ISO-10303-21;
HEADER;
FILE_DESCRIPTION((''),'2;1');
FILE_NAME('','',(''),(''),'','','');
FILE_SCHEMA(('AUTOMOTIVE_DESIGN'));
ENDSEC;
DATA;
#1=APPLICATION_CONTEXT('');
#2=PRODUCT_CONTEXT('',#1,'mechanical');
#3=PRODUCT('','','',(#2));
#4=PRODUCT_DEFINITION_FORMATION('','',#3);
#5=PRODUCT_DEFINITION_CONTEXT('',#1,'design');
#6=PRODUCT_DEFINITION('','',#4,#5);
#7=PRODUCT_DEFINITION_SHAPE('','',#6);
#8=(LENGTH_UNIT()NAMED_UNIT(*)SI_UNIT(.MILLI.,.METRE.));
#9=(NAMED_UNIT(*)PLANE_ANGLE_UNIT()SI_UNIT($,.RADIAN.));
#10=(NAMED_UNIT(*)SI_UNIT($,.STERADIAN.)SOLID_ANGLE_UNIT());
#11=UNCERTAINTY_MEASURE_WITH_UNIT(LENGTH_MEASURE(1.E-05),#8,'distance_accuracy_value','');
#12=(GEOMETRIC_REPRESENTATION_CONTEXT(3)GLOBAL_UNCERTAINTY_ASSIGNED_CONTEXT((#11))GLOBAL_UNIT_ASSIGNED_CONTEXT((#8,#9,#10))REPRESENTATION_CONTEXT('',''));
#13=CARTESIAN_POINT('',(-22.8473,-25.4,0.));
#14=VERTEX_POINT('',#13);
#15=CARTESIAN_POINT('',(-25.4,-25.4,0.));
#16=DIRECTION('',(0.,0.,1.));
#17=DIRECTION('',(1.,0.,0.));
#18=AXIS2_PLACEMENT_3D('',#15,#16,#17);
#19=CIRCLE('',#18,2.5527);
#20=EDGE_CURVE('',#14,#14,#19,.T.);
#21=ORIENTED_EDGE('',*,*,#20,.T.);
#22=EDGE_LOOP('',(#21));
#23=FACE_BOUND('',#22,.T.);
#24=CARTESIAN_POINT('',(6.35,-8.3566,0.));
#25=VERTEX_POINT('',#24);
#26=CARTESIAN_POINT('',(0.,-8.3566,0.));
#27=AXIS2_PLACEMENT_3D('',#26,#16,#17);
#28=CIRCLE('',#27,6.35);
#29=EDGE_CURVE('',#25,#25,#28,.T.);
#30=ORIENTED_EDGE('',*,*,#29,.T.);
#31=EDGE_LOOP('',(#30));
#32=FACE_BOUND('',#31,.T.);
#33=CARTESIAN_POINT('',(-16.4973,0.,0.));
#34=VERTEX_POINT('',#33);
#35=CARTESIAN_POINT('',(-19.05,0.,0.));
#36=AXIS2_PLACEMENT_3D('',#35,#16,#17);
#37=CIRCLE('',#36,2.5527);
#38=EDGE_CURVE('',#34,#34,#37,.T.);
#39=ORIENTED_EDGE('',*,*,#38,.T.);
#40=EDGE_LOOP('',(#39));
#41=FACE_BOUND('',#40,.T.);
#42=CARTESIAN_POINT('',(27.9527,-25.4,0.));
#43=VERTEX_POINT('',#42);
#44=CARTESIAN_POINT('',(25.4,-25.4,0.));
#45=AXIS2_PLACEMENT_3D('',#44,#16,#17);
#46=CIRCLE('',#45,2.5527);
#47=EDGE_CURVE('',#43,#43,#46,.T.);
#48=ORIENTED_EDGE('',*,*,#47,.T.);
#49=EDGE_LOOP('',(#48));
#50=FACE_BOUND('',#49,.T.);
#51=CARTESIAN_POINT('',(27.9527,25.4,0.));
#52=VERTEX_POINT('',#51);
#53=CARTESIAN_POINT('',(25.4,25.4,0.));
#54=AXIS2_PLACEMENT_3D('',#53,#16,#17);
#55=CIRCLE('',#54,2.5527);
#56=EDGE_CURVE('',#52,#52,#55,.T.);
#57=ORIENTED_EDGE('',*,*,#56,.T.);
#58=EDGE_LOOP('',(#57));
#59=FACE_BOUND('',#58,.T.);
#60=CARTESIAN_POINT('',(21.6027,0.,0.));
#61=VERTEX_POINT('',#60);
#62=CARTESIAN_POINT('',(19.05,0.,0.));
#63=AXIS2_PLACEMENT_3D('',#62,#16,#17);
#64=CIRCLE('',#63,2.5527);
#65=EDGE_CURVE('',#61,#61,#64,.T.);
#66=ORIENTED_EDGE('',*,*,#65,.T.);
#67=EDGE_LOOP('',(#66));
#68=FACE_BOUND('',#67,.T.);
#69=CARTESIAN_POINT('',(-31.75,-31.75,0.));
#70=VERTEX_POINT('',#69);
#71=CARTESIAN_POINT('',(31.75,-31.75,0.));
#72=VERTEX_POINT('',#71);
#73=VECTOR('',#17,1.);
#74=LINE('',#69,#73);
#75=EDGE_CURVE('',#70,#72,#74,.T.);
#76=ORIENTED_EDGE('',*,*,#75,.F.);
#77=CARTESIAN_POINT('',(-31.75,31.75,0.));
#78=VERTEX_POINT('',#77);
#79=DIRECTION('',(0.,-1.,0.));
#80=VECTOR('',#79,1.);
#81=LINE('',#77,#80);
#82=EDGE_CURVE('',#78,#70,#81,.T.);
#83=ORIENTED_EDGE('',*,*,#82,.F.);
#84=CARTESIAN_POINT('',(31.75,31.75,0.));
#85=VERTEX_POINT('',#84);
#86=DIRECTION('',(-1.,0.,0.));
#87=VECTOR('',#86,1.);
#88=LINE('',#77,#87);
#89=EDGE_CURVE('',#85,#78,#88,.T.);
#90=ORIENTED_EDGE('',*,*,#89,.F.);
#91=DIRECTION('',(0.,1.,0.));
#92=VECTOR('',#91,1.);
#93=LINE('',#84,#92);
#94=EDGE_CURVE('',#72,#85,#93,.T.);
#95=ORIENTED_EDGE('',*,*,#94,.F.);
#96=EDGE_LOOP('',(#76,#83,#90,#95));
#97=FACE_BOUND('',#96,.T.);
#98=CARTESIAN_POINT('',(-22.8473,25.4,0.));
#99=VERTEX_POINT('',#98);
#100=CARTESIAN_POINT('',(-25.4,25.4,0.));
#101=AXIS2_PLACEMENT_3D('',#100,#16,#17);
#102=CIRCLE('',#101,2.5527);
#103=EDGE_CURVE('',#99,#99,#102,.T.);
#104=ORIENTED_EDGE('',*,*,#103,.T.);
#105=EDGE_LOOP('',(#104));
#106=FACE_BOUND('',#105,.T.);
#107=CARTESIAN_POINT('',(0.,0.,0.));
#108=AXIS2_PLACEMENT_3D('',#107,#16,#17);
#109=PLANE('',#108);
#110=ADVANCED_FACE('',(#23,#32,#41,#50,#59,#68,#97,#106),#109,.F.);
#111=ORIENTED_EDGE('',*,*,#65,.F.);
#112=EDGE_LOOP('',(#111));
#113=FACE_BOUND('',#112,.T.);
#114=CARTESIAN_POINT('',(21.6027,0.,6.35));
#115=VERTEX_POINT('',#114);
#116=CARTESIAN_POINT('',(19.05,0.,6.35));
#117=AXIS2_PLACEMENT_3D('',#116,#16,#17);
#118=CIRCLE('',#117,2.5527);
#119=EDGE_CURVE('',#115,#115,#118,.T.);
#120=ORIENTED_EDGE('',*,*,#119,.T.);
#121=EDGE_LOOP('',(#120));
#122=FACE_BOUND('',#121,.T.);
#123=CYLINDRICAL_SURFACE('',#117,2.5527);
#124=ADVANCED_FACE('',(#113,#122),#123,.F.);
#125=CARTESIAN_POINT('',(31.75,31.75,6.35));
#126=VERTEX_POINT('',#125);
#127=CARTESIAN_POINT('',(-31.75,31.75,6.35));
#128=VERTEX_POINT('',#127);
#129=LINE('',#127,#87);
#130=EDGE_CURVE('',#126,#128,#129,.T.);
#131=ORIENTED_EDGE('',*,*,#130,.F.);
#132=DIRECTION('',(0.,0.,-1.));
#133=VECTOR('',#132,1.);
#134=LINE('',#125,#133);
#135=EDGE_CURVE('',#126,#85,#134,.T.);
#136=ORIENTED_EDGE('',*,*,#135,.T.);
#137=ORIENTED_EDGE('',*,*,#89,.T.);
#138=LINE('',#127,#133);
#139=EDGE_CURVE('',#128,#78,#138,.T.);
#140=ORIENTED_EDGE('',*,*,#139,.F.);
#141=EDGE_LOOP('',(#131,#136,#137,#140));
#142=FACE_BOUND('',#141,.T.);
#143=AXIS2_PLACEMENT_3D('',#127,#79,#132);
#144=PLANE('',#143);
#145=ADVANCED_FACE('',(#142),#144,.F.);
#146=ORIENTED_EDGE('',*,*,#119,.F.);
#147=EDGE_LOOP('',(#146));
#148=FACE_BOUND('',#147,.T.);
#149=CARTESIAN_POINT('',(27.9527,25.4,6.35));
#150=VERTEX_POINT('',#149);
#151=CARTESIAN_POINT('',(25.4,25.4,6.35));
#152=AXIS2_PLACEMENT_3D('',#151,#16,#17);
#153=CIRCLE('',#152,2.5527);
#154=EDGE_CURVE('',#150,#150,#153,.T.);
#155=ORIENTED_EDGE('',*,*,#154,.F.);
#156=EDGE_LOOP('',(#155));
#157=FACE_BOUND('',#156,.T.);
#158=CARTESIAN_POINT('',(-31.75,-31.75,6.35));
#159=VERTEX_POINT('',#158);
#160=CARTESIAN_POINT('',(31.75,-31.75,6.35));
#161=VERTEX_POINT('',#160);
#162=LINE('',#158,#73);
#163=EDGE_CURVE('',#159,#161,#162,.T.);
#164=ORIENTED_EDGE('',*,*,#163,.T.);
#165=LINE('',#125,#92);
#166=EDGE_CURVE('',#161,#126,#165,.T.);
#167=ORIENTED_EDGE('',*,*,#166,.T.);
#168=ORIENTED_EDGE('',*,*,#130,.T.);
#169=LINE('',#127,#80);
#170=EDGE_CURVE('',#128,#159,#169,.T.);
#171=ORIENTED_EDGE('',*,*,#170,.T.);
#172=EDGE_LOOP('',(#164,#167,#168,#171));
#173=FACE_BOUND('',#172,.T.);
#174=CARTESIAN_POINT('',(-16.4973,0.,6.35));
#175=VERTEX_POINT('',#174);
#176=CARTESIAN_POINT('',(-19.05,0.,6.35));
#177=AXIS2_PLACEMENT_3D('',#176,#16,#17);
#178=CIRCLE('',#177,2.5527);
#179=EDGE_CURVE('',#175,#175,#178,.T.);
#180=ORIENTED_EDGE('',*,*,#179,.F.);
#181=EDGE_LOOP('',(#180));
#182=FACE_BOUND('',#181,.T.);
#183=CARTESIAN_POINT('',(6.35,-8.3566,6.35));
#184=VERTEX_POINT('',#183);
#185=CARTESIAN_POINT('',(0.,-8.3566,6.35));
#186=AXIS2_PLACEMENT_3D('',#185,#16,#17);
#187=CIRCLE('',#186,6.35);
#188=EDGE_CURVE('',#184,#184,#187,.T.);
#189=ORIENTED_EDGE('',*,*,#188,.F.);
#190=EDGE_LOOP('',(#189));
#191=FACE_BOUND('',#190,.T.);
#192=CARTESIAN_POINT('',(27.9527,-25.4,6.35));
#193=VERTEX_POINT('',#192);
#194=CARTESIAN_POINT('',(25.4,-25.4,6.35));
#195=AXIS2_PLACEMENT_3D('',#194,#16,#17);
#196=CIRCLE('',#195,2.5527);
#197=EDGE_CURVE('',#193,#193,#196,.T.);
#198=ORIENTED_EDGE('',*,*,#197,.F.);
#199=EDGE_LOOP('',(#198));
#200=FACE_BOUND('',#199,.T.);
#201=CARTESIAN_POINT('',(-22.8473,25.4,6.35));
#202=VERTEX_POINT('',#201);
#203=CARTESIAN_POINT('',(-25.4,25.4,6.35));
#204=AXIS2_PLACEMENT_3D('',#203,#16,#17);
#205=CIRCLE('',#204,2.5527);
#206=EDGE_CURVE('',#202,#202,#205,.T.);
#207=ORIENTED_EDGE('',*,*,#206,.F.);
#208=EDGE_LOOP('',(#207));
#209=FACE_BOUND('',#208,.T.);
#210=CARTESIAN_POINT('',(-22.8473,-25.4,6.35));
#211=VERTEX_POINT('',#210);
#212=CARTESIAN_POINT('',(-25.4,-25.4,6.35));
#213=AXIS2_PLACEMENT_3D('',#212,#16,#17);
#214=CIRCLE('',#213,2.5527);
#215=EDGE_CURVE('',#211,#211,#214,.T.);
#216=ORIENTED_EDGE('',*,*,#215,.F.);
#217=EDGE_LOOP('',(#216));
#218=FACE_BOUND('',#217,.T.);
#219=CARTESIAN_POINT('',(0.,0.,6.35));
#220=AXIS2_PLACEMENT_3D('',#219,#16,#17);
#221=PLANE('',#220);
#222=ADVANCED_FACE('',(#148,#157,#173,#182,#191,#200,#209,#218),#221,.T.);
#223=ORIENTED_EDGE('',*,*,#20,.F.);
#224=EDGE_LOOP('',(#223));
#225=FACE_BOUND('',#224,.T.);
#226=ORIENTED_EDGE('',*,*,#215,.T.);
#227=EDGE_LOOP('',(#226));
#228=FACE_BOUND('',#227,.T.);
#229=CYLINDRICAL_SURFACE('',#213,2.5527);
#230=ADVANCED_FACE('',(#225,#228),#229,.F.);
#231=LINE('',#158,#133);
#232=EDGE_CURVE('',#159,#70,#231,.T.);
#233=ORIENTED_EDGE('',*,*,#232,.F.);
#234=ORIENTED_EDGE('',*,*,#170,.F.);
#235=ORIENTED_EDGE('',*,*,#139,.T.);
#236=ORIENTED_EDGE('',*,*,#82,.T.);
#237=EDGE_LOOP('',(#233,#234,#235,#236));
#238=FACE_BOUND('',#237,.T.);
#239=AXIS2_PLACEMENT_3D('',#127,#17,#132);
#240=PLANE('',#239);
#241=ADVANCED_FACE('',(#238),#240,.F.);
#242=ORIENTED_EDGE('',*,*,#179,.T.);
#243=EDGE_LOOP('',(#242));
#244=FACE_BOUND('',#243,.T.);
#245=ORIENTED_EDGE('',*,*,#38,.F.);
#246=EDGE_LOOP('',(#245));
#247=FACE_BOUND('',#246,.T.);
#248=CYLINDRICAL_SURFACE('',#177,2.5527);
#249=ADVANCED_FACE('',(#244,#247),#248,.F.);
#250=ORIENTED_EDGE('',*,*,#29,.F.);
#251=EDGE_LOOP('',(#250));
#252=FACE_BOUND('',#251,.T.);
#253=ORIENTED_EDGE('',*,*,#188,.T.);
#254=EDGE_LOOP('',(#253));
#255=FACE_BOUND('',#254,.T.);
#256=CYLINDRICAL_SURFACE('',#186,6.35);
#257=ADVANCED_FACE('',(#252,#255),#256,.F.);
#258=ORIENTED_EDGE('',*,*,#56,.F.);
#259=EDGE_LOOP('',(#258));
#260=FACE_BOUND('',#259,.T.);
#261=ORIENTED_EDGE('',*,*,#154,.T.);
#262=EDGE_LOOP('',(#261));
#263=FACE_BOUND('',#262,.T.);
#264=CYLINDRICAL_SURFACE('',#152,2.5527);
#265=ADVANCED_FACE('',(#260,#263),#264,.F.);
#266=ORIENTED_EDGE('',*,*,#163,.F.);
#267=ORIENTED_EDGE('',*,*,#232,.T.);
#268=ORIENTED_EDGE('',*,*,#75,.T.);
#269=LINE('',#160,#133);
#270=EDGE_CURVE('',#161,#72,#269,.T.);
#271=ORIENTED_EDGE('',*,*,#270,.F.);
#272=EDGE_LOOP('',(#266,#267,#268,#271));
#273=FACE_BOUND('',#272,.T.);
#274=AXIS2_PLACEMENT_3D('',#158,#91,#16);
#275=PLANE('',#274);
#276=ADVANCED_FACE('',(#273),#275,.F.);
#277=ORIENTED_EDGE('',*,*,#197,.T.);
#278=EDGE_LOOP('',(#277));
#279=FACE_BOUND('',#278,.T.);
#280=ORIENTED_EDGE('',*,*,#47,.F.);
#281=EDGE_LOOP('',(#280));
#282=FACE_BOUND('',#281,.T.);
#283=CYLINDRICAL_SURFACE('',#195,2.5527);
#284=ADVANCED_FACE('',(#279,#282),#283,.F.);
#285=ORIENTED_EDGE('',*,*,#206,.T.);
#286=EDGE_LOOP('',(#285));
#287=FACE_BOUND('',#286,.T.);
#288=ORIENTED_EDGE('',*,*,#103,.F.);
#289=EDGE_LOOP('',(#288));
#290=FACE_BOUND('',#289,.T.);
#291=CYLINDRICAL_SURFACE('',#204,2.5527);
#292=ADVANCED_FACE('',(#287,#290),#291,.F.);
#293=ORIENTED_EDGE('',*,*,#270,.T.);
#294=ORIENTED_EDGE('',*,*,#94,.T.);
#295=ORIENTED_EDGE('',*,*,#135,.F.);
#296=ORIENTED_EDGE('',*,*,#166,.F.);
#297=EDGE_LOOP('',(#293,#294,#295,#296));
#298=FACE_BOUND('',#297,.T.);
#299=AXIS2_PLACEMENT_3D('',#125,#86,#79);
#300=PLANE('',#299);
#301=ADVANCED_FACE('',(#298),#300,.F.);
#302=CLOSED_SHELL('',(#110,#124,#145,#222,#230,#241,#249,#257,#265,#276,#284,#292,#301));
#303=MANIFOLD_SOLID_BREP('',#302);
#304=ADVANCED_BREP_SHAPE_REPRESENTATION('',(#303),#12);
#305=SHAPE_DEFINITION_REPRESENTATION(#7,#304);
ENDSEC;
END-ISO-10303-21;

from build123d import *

# Parameters (mm, degrees)
SKETCH1_W              = 63.5
SKETCH1_H              = 63.5
BOSS_EXTRUDE1_DEPTH    = 6.35
F_10_CLEARANCE_HOLE3_D = 5.1054
F_10_CLEARANCE_HOLE2_D = 5.1054
HOLE1_D                = 12.7


with BuildPart() as part:
    # Sketch1 → Boss-Extrude1 (new body)
    with BuildSketch(Plane.XY):
        Rectangle(SKETCH1_W, SKETCH1_H)
    extrude(amount=BOSS_EXTRUDE1_DEPTH)

    # #10 Clearance Hole3 (through all)
    with Locations(Plane.XY.offset(6.35)):
        with Locations((-25.4, 25.4), (25.4, -25.4), (-25.4, -25.4), (25.4, 25.4)):
            Hole(F_10_CLEARANCE_HOLE3_D / 2)

    # #10 Clearance Hole2 (through all)
    with Locations(Plane.XY.offset(6.35)):
        with Locations((-19.05, 0), (19.05, 0)):
            Hole(F_10_CLEARANCE_HOLE2_D / 2)

    # Hole1 (through all)
    with Locations(Plane.XY.offset(6.35)):
        with Locations((0, -8.3566)):
            Hole(HOLE1_D / 2)


solid = part.part
